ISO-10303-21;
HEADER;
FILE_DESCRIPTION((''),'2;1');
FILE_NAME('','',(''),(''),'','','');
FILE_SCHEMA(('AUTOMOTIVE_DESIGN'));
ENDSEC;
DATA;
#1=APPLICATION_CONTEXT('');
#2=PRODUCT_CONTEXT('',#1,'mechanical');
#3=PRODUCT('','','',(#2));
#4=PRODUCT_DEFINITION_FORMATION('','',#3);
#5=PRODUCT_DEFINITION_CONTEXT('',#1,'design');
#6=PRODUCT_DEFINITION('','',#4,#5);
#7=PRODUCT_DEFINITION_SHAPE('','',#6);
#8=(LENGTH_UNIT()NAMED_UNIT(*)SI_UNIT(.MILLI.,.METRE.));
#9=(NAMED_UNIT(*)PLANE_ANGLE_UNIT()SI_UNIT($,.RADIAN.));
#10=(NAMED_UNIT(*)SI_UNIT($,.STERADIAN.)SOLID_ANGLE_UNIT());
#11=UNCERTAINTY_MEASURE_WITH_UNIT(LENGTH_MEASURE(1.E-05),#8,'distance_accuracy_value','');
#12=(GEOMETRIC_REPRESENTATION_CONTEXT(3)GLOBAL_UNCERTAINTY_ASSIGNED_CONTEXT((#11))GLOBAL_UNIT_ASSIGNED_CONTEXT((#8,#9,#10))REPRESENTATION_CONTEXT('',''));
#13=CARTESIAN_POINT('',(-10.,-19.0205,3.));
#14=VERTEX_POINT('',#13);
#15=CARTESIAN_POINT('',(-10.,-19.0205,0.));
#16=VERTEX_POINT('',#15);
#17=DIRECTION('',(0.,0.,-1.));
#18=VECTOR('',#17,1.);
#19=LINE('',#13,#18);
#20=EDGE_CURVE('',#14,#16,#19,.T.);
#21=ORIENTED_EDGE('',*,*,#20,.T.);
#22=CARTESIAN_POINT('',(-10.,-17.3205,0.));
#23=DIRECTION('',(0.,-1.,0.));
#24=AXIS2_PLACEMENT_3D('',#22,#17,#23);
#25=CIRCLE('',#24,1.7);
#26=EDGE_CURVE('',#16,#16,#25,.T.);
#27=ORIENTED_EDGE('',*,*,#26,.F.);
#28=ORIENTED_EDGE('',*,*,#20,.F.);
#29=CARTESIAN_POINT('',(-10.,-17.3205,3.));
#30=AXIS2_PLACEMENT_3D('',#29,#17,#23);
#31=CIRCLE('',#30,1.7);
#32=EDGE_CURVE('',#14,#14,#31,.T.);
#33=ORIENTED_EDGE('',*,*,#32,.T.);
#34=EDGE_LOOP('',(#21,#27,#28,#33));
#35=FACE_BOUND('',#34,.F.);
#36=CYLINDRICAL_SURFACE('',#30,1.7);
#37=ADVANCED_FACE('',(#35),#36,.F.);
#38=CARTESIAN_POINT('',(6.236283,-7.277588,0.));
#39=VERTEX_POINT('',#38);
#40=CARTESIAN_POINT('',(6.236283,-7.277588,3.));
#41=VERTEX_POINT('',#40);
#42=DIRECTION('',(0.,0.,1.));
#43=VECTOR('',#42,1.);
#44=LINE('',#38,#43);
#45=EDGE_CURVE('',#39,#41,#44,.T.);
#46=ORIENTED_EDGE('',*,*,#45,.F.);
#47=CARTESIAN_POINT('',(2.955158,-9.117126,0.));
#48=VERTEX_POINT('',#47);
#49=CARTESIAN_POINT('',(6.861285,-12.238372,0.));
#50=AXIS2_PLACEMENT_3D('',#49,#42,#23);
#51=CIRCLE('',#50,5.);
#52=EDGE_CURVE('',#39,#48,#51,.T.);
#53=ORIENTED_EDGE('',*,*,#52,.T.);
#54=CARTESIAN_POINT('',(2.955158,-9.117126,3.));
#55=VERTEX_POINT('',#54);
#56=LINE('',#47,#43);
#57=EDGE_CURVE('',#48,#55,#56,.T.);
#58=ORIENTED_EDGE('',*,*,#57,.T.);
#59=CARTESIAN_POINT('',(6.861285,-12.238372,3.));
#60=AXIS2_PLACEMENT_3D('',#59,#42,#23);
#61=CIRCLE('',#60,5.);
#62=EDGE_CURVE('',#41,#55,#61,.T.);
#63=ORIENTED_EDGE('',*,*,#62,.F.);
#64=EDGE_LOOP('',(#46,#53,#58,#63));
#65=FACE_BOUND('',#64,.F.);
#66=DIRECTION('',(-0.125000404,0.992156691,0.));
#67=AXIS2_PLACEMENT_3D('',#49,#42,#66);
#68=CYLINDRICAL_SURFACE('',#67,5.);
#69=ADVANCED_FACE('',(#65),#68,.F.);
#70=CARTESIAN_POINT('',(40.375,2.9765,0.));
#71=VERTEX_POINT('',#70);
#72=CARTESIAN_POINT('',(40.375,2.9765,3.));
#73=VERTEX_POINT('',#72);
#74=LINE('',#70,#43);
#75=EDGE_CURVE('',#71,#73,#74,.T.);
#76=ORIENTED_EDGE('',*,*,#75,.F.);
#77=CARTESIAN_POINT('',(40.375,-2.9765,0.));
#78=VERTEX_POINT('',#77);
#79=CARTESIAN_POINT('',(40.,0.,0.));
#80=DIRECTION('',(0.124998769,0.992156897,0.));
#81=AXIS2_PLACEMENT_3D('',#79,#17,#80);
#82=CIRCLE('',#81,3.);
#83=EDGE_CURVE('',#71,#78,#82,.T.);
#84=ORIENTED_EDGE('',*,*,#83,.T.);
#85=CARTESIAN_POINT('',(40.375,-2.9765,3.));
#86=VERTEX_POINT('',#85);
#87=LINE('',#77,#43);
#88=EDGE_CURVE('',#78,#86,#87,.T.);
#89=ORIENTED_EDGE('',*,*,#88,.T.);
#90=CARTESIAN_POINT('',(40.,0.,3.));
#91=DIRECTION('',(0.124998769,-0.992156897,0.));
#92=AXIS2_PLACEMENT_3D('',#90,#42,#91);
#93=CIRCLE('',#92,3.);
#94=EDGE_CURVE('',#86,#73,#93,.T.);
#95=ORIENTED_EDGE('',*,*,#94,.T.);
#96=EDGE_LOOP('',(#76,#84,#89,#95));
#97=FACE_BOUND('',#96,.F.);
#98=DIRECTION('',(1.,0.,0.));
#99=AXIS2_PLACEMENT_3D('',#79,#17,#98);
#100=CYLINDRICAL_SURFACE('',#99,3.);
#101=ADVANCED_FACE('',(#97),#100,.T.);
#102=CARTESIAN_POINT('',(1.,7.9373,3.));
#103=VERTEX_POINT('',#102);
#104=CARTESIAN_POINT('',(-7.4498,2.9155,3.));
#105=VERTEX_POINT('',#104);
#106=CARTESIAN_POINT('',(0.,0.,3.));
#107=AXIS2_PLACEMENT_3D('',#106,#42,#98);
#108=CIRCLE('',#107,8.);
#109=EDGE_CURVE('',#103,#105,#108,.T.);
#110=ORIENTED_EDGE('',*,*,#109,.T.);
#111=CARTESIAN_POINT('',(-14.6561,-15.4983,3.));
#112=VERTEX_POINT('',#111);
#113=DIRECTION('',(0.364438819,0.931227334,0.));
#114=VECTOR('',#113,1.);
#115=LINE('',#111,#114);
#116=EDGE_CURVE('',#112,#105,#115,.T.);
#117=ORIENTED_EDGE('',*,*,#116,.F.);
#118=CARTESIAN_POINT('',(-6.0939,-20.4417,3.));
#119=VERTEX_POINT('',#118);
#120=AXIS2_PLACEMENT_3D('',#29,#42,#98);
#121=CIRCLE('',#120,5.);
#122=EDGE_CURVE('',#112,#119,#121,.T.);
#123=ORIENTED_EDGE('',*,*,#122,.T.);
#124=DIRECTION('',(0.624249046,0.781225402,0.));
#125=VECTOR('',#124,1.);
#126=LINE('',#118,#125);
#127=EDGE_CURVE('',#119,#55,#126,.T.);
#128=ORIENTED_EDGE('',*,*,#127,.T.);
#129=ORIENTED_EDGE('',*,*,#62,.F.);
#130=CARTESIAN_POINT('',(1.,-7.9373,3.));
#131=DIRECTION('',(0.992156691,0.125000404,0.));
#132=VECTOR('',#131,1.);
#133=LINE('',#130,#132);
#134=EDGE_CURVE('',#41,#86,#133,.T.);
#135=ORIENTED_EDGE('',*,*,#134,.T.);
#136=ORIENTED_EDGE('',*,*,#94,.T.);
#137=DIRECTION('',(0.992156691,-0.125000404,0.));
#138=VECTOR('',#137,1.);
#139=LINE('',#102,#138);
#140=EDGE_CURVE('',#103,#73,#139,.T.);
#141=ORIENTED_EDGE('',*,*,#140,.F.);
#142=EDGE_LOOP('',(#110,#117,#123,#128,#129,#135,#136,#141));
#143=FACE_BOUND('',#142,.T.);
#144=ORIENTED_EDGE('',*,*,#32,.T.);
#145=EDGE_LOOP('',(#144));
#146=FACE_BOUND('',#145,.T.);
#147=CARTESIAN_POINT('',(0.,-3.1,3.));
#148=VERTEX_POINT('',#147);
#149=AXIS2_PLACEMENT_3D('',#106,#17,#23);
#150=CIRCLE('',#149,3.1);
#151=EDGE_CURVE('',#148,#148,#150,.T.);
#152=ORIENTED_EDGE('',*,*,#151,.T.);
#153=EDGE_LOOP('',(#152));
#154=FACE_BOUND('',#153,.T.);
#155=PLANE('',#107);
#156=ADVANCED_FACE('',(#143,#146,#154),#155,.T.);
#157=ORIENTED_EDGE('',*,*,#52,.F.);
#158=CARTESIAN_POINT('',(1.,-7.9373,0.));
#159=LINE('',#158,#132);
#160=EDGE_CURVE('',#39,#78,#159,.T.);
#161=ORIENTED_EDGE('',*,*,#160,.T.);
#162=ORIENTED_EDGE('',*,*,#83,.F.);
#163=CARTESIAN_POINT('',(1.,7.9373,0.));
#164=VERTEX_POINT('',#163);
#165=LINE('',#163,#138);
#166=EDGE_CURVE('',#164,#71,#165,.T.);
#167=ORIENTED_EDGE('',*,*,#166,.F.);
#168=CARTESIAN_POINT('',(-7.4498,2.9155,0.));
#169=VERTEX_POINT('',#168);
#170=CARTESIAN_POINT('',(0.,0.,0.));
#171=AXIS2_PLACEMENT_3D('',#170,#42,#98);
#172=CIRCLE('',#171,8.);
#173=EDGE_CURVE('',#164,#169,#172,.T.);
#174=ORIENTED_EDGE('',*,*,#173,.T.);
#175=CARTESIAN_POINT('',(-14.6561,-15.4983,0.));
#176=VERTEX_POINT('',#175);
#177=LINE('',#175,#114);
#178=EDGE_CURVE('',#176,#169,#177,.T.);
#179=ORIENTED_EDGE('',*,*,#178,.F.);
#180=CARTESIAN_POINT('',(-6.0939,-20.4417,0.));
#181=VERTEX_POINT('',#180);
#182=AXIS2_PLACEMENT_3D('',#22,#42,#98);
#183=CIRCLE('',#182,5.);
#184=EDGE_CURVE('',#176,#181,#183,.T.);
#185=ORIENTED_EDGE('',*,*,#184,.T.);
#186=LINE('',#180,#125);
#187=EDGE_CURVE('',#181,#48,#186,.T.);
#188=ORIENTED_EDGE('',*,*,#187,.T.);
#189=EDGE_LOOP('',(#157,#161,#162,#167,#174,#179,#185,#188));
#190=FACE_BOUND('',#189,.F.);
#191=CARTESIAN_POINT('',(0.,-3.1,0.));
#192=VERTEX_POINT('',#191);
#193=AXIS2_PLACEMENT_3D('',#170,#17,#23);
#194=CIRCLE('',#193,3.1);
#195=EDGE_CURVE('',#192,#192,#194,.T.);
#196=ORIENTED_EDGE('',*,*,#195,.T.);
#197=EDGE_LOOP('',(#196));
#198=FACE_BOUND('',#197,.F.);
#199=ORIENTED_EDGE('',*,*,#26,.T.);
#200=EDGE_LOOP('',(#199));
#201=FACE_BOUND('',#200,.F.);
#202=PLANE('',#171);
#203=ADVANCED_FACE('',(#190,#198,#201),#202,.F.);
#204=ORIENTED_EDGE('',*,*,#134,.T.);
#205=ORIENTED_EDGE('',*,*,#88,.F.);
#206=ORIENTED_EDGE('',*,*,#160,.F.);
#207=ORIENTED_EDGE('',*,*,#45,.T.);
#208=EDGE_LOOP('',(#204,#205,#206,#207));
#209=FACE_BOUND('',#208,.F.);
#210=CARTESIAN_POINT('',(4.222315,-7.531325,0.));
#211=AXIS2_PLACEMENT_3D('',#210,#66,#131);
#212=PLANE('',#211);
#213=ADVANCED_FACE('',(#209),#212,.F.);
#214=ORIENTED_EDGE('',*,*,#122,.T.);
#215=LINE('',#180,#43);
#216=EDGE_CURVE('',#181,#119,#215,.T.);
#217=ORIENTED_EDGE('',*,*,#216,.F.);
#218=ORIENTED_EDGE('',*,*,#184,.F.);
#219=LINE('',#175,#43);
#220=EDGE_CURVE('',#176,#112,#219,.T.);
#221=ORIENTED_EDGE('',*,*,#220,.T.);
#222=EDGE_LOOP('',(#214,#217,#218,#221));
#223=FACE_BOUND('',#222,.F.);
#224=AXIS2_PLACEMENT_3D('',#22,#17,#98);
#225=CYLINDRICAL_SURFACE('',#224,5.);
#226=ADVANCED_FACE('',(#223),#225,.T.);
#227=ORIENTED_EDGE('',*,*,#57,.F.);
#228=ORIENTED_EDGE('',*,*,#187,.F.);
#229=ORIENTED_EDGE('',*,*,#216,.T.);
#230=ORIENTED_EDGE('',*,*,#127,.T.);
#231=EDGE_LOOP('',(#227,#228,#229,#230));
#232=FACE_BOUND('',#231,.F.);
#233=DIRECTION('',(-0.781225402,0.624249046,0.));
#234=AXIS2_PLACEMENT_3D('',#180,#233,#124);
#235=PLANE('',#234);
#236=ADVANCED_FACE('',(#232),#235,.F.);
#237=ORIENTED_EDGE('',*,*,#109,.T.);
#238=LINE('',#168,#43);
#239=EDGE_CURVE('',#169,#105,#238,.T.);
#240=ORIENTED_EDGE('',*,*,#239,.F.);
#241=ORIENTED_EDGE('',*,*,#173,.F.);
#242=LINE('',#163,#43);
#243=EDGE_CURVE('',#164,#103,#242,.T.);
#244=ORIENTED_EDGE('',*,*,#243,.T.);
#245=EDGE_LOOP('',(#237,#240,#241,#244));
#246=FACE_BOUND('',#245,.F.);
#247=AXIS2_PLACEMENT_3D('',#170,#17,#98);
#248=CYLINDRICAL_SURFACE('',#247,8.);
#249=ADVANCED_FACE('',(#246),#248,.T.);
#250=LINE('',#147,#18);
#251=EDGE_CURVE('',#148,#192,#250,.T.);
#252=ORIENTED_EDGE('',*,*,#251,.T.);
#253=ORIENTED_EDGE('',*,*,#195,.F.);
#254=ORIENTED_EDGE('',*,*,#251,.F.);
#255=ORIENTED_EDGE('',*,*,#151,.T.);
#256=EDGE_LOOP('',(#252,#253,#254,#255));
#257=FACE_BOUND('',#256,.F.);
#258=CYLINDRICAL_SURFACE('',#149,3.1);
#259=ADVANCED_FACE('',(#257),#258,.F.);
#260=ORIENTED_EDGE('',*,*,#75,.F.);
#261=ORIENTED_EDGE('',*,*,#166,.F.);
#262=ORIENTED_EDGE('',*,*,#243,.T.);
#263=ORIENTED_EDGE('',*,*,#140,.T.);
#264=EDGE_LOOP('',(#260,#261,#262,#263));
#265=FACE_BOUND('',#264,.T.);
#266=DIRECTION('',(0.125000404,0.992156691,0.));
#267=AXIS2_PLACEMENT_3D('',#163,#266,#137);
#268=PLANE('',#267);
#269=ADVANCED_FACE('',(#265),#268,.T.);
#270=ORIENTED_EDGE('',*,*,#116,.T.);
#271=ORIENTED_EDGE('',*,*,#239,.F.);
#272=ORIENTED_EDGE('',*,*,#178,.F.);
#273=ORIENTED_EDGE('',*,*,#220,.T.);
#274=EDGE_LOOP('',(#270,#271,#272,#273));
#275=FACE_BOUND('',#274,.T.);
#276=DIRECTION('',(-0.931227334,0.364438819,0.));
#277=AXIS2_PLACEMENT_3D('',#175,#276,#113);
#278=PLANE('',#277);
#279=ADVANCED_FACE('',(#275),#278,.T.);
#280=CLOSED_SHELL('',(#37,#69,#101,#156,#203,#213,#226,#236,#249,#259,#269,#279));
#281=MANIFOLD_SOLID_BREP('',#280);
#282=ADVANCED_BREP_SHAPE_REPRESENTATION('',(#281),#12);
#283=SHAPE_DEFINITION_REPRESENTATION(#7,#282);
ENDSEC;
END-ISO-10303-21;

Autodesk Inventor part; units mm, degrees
ref_plane "YZ Plane" through (0, 0, 0) normal (1, 0, 0) x (0, 1, 0)
ref_plane "XZ Plane" through (0, 0, 0) normal (0, 1, 0) x (-1, 0, 0)
ref_plane "XY Plane" through (0, 0, 0) normal (0, 0, 1) x (1, 0, 0)
sketch "Sketch1" plane through (0, 0, 0) normal (0, 0, 1) x (1, 0, 0)
  circle A0 centre (0, 0) radius 8
  line L0 (1, 7.9373) -> (40.375, 2.9765)
  line L1 (1, -7.9373) -> (40.375, -2.9765)
  line L2 (0, 0) -> (40, 0) construction
  circle A1 centre (40, 0) radius 3
  circle A2 centre (-10, -17.3205) radius 5
  line L3 (-6.0939, -20.4417) -> (6.2498, -4.994)
  line L4 (-14.6561, -15.4983) -> (-7.4498, 2.9155)
  line L5 (0, 0) -> (-10, -17.3205) construction
  dimension "d0" = 16
  dimension "d1" = 6
  dimension "d2" = 40
  dimension "d3" = 10
  dimension "d4" = 20
  dimension "d5" = 120
extrude "Extrusion1" add sketch "Sketch1" along normal blind 3
fillet "Fillet1" radius 5 1 edges at (4.2224, -7.5313, 1.5)
sketch "Sketch2" plane through (0, 0, 3) normal (0, 0, 1) x (1, 0, 0)
  point P0 (0, 0)
  point P1 (0, 0)
hole "Hole1" at (0, 0, 3) direction (0, 0, -1) diameter 6.2 end through all
sketch "Sketch3" plane through (0, 0, 3) normal (0, 0, 1) x (1, 0, 0)
  arc A0 (-14.6561, -15.4983) -> (-6.0939, -20.4417) centre (-10, -17.3205) ccw projected
  point P0 (0, 0)
hole "Hole2" at (-10, -17.3205, 3) direction (0, 0, -1) diameter 3.4 end through all clearance for "Socket Head Cap Screw" size "M3" standard "Ansi Metric M Profile"
properties part number "Timing_Lever" material "Nylon 6/6"
